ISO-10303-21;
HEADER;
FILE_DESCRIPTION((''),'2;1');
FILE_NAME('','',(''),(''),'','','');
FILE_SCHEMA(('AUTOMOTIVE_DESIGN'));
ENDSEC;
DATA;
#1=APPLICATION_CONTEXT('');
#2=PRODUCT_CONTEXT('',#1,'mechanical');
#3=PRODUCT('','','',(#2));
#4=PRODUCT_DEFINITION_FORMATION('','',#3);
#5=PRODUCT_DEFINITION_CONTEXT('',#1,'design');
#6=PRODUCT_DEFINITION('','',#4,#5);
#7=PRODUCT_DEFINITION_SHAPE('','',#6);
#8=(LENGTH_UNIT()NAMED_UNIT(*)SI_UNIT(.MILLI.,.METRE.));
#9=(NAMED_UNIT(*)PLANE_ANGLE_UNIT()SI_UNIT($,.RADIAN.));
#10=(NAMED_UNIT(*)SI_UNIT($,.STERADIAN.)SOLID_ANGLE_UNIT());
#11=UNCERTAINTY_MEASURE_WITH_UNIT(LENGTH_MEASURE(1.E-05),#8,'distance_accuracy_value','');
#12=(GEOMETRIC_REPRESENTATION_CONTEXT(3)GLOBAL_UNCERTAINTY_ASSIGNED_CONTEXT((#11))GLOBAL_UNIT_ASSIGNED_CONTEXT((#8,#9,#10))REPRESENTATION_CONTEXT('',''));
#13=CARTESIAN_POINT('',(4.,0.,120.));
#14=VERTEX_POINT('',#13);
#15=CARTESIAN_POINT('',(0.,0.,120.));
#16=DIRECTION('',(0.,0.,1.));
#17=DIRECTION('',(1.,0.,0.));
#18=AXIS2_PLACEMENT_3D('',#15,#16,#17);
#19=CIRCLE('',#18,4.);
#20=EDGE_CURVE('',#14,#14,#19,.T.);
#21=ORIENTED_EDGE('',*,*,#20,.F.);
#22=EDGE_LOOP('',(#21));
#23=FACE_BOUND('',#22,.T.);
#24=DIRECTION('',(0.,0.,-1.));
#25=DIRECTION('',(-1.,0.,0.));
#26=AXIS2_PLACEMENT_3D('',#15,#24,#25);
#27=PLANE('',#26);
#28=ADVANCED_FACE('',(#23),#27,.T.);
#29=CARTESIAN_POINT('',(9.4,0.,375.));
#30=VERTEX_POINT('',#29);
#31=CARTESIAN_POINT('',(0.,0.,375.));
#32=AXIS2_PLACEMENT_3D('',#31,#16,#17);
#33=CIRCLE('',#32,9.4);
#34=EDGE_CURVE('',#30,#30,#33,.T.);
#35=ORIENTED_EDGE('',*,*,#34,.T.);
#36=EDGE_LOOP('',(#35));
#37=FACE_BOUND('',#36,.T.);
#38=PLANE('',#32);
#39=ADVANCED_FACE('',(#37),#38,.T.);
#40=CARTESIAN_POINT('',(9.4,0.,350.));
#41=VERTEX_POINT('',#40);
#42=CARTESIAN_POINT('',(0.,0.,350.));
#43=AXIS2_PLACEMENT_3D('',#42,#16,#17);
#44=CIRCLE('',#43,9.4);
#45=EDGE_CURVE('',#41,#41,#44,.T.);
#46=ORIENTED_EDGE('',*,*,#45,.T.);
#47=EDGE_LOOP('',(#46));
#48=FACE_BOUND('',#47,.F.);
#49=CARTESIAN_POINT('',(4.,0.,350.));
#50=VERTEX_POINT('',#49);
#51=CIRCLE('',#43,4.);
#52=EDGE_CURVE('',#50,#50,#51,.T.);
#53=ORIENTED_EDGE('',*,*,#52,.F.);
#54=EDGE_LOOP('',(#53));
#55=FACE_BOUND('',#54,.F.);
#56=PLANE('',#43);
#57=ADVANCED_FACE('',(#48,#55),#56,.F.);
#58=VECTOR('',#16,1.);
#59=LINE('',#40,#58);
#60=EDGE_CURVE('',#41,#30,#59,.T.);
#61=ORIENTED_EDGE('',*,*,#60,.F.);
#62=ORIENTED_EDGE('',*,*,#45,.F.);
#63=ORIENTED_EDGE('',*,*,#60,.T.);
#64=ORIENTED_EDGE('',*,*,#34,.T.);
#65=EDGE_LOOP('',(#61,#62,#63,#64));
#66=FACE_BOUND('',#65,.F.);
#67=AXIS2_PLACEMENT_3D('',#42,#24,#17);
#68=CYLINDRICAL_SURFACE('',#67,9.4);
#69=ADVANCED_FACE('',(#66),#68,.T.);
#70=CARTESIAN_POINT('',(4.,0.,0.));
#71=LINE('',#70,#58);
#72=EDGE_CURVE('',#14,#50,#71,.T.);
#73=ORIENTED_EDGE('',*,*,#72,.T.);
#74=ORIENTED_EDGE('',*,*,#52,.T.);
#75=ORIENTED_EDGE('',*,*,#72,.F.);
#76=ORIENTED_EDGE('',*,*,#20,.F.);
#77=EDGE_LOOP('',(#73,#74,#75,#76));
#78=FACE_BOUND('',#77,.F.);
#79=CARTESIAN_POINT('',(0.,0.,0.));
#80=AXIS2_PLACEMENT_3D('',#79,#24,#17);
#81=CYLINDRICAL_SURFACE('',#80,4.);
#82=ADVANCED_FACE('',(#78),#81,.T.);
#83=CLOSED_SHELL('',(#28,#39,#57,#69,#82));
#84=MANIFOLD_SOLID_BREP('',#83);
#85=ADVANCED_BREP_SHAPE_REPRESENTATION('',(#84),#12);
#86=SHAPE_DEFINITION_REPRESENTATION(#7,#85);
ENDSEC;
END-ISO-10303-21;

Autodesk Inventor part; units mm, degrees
ref_plane "YZ Plane" through (0, 0, 0) normal (1, 0, 0) x (0, 1, 0)
ref_plane "XZ Plane" through (0, 0, 0) normal (0, 1, 0) x (-1, 0, 0)
ref_plane "XY Plane" through (0, 0, 0) normal (0, 0, 1) x (1, 0, 0)
sketch "Sketch1" plane through (0, 0, 0) normal (0, 0, 1) x (1, 0, 0)
  circle A0 centre (0, 0) radius 4
  dimension "d0" = 8
extrude "Extrusion1" add sketch "Sketch1" along normal blind 350
sketch "Sketch2" plane through (0, 0, 350) normal (0, 0, 1) x (1, 0, 0)
  circle A0 centre (0, 0) radius 9.4
  dimension "d3" = 18.8
extrude "Extrusion2" add sketch "Sketch2" along normal blind 25
thread "Thread1" size "M8x1.25" class "6g" standard "ANSI Metric M Profile" full length
sketch "Sketch3" plane through (0, 0, 0) normal (0, 0, -1) x (-1, 0, 0)
  circle A0 centre (0, 0) radius 4 projected
extrude "Extrusion3" cut sketch "Sketch3" against normal blind 120
properties part number "00_spindel_350mm"
